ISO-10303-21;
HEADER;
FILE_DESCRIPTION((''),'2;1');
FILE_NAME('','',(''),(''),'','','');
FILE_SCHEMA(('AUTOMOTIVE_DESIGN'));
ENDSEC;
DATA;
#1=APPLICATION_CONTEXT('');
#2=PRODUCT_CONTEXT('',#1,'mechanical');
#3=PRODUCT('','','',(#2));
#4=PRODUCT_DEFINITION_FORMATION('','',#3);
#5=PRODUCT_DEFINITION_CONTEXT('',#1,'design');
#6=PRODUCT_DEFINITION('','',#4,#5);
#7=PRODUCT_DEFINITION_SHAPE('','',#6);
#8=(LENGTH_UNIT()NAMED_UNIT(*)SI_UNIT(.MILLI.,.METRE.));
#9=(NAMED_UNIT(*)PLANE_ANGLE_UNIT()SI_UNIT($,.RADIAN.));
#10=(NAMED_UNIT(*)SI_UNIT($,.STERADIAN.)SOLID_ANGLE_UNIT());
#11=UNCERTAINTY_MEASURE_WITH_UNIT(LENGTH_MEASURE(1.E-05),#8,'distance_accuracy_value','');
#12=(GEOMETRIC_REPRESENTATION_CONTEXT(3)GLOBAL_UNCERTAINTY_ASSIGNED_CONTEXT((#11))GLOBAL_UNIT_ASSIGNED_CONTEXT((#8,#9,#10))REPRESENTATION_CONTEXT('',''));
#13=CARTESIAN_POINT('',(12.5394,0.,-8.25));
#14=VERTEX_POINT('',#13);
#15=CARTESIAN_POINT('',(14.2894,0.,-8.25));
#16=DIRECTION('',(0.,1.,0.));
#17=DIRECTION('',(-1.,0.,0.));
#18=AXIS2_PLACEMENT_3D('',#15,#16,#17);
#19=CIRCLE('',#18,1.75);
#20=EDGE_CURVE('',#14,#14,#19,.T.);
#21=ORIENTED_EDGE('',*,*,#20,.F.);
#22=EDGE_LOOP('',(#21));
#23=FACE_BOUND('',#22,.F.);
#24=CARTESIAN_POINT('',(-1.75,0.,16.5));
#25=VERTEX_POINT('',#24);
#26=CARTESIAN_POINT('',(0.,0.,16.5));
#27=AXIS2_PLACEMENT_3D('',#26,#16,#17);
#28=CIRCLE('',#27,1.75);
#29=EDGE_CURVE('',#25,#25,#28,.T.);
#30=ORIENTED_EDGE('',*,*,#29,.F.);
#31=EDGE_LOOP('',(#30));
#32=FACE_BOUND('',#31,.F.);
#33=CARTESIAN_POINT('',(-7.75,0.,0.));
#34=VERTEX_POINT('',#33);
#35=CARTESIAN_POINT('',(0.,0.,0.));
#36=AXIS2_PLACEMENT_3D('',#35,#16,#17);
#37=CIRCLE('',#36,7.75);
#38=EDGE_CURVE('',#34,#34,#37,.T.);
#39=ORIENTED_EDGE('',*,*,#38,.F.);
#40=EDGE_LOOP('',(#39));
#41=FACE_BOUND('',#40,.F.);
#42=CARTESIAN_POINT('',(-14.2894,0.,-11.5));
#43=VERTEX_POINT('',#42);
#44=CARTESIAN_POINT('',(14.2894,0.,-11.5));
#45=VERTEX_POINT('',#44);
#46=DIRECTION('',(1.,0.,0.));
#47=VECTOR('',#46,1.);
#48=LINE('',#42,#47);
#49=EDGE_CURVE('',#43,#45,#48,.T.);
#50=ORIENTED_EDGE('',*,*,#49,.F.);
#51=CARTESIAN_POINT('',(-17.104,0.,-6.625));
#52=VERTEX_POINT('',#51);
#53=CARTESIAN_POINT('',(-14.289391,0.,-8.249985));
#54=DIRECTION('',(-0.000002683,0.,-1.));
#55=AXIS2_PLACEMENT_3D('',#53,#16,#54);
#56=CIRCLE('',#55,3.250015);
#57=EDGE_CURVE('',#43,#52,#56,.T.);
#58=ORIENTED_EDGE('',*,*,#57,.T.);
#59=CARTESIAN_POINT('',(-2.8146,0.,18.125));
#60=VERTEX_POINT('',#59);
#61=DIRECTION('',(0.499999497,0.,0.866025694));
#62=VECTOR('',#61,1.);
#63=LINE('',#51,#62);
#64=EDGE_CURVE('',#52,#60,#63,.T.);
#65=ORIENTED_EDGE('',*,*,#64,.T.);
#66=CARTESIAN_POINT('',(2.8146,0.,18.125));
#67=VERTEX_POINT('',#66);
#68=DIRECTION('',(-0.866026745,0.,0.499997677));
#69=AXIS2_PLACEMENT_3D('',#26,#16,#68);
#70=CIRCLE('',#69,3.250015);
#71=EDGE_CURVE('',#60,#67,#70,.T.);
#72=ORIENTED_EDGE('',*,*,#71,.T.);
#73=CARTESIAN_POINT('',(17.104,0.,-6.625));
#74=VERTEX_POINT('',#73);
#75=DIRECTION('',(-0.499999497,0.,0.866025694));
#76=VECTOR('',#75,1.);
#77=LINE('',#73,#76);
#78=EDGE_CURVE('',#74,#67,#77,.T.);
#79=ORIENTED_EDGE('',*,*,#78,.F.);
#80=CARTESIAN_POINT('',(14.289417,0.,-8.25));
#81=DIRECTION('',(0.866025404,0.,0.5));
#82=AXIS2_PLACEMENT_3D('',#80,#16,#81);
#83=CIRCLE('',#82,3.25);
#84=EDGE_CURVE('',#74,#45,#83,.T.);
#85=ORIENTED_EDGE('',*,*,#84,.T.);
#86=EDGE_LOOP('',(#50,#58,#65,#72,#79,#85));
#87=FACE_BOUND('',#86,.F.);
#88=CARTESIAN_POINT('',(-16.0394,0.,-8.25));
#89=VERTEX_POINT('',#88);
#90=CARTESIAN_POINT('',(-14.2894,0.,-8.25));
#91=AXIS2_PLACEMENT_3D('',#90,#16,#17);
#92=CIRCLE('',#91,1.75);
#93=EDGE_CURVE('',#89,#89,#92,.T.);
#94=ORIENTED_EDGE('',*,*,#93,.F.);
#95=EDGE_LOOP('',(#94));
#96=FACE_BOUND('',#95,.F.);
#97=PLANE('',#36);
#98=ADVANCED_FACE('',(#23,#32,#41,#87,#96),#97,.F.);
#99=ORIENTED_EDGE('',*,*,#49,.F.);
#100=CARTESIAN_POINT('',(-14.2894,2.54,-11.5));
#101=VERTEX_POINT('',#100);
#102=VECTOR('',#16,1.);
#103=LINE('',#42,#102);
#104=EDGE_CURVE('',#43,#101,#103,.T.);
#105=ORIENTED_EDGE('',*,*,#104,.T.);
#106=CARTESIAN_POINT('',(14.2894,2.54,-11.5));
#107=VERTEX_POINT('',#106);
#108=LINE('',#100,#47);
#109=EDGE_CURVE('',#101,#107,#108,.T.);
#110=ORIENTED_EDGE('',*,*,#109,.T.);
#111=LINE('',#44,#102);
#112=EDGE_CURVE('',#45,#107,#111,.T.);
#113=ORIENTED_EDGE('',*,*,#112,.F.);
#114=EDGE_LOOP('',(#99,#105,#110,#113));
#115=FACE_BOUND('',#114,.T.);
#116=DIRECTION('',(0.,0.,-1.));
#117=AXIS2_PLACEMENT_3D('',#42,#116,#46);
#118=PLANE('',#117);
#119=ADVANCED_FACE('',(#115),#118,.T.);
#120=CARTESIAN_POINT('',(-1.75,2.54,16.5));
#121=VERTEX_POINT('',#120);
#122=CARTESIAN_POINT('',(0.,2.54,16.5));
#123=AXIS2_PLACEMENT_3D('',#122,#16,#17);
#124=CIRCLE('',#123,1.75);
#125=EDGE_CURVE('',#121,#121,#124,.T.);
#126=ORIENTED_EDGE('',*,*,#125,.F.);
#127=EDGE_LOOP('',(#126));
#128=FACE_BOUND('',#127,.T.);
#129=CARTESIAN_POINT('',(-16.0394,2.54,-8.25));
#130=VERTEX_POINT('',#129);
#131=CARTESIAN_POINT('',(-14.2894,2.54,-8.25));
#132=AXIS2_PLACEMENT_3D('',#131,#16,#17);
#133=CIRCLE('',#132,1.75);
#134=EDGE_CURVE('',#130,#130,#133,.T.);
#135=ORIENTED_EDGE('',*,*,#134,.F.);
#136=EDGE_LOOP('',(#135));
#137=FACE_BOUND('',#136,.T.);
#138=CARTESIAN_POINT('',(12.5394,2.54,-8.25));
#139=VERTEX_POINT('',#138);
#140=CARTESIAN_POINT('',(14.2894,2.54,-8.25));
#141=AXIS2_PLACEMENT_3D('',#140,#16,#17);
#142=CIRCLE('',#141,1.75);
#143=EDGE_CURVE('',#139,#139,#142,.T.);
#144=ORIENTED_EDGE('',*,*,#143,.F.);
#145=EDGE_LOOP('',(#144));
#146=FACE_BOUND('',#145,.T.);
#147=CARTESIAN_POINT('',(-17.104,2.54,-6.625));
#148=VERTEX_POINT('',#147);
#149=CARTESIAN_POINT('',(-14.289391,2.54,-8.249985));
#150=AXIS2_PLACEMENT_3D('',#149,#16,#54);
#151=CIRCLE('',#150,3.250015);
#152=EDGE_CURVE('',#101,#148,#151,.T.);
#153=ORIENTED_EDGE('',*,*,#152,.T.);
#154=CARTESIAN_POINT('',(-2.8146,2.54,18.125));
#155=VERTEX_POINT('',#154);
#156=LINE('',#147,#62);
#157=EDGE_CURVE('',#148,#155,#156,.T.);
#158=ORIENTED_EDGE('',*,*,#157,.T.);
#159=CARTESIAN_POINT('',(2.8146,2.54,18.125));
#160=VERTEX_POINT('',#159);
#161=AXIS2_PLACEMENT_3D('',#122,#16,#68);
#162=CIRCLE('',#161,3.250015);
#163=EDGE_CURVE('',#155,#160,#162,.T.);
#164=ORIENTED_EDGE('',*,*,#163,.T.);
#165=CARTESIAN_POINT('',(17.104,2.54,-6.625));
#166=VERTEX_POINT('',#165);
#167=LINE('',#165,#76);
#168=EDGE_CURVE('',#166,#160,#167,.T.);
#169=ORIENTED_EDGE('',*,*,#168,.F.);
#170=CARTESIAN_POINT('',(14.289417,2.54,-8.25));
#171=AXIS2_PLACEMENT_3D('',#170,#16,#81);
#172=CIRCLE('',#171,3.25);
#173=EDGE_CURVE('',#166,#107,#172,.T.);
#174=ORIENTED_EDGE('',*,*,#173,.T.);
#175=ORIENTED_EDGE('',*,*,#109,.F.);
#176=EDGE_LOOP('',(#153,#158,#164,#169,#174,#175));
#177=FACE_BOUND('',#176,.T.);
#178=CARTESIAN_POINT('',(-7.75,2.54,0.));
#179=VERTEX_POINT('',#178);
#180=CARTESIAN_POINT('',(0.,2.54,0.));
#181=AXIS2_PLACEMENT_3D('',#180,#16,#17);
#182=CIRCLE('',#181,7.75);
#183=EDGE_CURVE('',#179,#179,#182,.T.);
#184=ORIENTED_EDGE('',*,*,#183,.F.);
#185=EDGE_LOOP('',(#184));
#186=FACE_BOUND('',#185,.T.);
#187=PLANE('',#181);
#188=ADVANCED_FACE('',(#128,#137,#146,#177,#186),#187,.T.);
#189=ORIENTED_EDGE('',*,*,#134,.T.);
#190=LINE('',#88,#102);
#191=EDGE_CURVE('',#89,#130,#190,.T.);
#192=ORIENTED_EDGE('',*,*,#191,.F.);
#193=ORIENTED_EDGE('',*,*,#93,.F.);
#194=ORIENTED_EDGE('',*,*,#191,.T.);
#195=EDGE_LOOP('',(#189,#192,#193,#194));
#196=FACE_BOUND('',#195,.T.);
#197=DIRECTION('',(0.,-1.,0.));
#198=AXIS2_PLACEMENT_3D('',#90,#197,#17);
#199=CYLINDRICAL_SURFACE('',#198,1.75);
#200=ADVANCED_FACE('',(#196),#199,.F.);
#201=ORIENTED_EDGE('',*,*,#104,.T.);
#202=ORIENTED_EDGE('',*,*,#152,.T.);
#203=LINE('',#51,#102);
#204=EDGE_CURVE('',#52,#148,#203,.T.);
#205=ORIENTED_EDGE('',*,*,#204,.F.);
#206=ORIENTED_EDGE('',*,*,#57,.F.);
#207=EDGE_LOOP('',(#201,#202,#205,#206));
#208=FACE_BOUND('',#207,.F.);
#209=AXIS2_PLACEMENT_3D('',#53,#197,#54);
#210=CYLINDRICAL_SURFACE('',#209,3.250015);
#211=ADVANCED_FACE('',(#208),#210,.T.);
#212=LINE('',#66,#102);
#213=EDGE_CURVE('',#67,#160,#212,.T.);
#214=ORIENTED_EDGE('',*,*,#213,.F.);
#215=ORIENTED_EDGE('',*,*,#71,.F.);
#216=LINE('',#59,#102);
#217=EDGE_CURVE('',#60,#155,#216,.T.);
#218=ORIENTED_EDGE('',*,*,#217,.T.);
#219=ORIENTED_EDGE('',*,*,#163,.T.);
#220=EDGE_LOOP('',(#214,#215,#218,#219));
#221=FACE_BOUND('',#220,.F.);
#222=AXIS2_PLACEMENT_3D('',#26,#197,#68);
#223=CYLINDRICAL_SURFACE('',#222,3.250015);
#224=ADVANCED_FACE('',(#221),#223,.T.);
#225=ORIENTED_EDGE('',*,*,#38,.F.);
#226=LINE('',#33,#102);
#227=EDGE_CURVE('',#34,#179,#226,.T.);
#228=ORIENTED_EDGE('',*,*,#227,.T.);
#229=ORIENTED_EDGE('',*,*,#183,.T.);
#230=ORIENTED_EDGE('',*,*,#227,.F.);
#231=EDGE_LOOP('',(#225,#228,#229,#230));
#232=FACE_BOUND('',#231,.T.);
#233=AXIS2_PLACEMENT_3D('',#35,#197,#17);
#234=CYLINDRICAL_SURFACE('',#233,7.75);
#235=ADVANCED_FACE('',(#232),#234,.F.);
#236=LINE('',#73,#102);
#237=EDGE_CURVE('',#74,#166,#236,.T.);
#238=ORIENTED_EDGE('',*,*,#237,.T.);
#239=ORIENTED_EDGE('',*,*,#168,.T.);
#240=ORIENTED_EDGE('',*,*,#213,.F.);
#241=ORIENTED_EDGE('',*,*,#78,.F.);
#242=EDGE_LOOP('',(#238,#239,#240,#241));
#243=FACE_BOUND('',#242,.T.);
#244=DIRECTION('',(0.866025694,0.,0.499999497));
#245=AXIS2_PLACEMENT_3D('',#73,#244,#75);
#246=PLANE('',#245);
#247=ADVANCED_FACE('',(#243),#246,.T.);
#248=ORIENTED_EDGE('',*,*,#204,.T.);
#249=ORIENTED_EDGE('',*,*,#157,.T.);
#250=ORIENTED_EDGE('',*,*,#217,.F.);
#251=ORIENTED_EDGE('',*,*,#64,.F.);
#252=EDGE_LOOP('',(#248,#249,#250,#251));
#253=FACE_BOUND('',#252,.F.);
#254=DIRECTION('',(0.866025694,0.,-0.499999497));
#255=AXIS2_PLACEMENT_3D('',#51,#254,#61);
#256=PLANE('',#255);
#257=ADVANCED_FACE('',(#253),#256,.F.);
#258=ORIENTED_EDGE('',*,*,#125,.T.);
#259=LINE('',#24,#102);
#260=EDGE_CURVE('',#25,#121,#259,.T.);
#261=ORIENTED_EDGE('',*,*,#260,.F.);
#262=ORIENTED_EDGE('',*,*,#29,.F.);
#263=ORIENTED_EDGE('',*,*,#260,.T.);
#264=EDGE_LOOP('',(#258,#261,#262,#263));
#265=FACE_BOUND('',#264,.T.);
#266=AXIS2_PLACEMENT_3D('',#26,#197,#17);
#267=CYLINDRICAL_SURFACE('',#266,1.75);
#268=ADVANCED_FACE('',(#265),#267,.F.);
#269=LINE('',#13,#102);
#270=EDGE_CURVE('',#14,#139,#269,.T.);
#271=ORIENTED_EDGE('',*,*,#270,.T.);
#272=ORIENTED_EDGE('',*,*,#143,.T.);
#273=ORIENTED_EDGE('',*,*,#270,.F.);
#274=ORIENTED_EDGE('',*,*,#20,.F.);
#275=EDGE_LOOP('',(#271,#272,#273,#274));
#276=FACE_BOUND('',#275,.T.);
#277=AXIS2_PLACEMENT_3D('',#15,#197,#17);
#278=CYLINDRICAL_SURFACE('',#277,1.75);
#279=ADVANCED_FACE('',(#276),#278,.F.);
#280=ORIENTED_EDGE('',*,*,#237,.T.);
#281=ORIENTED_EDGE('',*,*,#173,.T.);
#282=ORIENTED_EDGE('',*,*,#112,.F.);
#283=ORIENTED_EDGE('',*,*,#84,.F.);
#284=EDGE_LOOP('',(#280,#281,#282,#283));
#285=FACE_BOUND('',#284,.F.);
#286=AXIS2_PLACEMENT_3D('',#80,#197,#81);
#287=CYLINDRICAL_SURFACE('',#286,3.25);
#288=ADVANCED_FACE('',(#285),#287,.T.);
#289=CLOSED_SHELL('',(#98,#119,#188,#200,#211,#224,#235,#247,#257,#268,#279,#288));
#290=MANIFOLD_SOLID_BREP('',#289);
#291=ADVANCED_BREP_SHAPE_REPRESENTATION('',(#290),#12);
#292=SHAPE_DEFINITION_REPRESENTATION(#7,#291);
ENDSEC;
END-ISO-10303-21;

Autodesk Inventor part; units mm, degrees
ref_plane "YZ Plane" through (0, 0, 0) normal (1, 0, 0) x (0, 1, 0)
ref_plane "XZ Plane" through (0, 0, 0) normal (0, 1, 0) x (-1, 0, 0)
ref_plane "XY Plane" through (0, 0, 0) normal (0, 0, 1) x (1, 0, 0)
sketch "Sketch1" plane through (0, 0, 0) normal (0, 1, 0) x (-1, 0, 0)
  circle A0 centre (0, 0) radius 16.5 construction
  circle A1 centre (0, 0) radius 7.75
  line L0 (0, 0) -> (14.2894, -8.25) construction
  line L1 (0, 0) -> (-14.2894, -8.25) construction
  line L2 (-16.5, 0) -> (16.5, 0) construction
  circle A2 centre (14.2894, -8.25) radius 1.75
  circle A3 centre (-14.2894, -8.25) radius 1.75
  circle A4 centre (0, 16.5) radius 1.75
  circle A5 centre (-14.2894, -8.25) radius 3.25 construction
  circle A6 centre (14.2894, -8.25) radius 3.25 construction
  circle A7 centre (0, 16.5) radius 3.25 construction
  line L3 (14.2894, -11.5) -> (-14.2894, -11.5)
  line L4 (17.104, -6.625) -> (2.8146, 18.125)
  line L5 (-17.104, -6.625) -> (-2.8146, 18.125)
  arc A8 (-17.104, -6.625) -> (-14.2894, -11.5) centre (-14.2894, -8.25) ccw
  arc A9 (14.2894, -11.5) -> (17.104, -6.625) centre (14.2894, -8.25) ccw
  arc A10 (2.8146, 18.125) -> (-2.8146, 18.125) centre (0, 16.5) ccw
  dimension "d0" = 33
  dimension "d1" = 15.5
  dimension "d2" = 30
  dimension "d3" = 30
  dimension "d4" = 3.5
  dimension "d5" = 3.5
  dimension "d6" = 3.5
  dimension "d7" = 6.5
  dimension "d8" = 6.5
  dimension "d9" = 6.5
extrude "Extrusion1" add sketch "Sketch1" along normal blind 2.54
properties part number "BackupPlate"
